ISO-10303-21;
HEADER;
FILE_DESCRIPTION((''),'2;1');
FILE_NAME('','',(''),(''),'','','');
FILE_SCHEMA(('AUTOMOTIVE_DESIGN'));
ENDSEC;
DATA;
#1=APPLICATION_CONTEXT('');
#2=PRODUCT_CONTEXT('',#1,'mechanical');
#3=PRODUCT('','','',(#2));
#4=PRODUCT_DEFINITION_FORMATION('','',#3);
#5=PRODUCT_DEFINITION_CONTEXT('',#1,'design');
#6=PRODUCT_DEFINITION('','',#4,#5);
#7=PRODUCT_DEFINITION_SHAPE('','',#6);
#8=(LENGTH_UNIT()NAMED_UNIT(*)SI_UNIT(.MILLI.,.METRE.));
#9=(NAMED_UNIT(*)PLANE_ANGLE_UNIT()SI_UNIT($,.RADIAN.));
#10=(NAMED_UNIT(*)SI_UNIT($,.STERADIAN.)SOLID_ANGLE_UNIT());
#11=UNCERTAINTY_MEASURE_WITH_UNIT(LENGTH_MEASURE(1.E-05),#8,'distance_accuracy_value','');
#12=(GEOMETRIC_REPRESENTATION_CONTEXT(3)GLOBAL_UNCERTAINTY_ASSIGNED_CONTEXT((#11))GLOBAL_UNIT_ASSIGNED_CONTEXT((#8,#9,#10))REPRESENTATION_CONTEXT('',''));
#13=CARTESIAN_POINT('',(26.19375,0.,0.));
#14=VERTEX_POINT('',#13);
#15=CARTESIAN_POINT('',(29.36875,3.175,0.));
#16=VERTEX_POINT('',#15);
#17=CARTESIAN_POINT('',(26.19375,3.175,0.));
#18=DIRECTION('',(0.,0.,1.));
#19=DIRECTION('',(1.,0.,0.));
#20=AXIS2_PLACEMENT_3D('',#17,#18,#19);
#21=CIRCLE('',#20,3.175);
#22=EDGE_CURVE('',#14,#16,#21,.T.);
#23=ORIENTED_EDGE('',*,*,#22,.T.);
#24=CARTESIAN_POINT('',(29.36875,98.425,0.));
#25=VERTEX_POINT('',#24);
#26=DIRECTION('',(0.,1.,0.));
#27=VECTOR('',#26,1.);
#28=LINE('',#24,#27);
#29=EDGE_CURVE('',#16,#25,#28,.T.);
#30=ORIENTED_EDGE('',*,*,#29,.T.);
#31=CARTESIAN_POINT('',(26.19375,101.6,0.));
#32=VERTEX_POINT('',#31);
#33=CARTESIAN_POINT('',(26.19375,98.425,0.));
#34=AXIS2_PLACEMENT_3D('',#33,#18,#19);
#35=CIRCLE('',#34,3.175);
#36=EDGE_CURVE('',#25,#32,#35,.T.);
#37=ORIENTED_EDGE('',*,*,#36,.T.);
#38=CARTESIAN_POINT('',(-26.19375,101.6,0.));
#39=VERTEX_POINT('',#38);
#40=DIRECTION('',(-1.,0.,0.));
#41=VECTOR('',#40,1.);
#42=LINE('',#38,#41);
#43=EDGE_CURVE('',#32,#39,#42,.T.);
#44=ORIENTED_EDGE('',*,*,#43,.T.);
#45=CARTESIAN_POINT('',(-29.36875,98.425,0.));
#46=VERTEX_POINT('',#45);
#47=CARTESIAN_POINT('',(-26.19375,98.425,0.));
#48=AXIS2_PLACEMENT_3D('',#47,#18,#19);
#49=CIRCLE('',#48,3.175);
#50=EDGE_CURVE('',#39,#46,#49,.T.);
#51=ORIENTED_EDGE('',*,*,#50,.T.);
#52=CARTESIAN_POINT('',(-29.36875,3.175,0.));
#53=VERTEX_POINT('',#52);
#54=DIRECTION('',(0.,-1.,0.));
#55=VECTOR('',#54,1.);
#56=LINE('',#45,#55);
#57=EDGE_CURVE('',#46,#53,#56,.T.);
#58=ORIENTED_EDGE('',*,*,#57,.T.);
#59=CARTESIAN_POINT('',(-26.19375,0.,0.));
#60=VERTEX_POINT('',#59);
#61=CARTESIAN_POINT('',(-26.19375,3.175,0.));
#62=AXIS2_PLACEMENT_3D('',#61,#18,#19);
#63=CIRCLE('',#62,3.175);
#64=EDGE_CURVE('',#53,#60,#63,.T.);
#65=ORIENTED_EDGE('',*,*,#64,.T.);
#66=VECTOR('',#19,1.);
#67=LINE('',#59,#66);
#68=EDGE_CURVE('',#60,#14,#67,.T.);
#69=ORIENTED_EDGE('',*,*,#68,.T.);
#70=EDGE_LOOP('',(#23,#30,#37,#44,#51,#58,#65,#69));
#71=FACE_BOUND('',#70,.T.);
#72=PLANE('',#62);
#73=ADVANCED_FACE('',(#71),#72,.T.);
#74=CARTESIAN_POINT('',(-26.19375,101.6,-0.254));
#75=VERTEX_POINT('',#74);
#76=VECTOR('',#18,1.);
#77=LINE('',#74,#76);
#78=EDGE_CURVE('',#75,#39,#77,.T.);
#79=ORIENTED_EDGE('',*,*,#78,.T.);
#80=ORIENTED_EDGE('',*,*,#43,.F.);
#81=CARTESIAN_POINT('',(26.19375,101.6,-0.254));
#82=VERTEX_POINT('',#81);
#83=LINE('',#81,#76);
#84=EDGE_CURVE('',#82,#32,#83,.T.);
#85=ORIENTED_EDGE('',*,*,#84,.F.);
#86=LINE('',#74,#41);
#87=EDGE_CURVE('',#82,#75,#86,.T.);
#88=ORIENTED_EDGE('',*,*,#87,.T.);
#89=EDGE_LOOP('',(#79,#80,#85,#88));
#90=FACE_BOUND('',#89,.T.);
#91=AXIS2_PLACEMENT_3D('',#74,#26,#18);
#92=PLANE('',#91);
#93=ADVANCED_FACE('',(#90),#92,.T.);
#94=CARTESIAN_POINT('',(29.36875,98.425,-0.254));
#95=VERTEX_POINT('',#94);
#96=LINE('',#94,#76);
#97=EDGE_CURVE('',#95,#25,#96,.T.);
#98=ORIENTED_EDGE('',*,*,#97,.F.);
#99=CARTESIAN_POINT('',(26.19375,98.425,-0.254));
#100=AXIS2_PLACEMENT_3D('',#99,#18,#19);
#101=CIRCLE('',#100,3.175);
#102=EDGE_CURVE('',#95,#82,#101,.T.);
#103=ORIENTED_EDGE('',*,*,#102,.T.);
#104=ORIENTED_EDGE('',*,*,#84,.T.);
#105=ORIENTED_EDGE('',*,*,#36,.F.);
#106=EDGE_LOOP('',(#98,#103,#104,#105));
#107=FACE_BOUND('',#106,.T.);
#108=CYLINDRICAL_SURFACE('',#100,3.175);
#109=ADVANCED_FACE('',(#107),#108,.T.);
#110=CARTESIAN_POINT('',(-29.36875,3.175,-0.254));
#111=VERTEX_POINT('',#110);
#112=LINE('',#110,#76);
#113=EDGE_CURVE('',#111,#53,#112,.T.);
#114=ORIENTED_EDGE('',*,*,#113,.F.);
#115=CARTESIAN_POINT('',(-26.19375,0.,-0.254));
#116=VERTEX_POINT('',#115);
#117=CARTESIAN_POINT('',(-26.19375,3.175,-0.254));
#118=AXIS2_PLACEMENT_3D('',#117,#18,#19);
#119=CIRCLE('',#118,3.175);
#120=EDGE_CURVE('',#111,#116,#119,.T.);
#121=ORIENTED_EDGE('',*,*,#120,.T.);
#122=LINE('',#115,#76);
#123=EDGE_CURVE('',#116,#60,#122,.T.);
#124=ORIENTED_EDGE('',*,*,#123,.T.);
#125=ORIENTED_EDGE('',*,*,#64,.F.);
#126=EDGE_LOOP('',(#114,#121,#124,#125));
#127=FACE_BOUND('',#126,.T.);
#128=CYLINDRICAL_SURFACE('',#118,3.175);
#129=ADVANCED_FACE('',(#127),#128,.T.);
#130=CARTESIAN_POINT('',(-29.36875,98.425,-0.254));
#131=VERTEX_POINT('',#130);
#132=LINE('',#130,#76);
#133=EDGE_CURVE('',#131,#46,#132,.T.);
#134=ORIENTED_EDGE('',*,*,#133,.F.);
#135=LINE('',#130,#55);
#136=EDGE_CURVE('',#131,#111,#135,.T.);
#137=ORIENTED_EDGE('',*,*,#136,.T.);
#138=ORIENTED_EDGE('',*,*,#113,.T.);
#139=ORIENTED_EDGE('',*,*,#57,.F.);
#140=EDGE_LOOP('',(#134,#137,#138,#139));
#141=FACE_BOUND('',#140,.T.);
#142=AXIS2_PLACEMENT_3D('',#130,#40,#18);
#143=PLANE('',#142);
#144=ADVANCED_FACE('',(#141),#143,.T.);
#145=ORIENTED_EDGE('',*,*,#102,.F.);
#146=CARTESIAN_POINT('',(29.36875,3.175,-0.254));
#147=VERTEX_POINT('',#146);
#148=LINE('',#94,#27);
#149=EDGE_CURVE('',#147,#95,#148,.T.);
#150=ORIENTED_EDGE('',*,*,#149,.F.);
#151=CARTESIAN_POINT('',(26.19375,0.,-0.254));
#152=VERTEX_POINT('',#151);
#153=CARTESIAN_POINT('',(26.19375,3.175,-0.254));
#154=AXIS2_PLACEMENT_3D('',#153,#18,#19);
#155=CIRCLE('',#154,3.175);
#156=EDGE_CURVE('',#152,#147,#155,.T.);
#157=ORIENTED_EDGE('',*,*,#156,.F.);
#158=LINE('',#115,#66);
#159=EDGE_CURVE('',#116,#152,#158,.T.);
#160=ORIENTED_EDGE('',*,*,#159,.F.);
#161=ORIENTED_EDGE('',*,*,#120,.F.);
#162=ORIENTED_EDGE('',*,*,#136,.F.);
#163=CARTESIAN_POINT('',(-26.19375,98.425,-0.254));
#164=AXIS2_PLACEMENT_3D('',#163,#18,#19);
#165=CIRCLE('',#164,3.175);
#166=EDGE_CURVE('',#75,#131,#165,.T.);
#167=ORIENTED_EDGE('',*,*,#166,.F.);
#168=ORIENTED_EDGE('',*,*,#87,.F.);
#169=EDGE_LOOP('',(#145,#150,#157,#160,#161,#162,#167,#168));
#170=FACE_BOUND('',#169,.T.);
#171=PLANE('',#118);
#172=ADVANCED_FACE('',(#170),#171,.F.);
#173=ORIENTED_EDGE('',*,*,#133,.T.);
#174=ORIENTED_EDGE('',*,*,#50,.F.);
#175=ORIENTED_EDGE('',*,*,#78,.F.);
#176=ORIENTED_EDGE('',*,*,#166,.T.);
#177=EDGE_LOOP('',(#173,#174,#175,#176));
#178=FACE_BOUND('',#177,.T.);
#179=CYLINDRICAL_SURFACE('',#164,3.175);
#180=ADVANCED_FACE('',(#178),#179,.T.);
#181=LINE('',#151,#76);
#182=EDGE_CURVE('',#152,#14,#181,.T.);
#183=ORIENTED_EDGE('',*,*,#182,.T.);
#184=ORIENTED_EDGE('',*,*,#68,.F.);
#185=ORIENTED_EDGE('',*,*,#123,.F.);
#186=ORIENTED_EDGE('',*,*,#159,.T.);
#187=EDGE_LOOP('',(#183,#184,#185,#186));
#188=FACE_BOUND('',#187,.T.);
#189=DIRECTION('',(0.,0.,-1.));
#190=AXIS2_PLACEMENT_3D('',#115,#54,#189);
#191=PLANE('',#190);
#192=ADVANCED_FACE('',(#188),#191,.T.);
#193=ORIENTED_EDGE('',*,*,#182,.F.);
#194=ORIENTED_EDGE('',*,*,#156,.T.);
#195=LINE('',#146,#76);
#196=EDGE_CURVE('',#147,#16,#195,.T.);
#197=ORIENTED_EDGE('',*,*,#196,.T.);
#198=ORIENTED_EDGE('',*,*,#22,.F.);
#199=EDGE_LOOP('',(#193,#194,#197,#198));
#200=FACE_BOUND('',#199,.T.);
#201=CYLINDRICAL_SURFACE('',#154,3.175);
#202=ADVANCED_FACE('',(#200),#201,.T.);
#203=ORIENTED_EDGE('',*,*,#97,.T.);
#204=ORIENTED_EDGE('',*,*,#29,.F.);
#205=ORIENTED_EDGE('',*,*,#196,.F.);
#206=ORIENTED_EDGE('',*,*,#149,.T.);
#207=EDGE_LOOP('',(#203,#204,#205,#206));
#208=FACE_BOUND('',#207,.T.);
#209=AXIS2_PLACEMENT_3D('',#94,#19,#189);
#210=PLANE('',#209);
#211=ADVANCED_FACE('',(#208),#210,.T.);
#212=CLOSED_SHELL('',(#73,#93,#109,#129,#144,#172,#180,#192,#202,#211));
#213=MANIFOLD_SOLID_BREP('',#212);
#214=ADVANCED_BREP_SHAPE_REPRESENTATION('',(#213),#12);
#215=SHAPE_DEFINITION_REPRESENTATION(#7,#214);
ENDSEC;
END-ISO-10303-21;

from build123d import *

# Parameters (mm, degrees)
BOSS_EXTRUDE1_DEPTH = 0.254


with BuildPart() as part:
    # Sketch1 → Boss-Extrude1 (new body)
    with BuildSketch(Plane.XY):
        with BuildLine():
            Line((-26.19375, 101.6), (26.19375, 101.6))
            ThreePointArc((26.19375, 101.6), (28.43881403, 100.67006403), (29.36875, 98.425))
            Line((29.36875, 98.425), (29.36875, 3.175))
            ThreePointArc((29.36875, 3.175), (28.43881403, 0.92993597), (26.19375, 0))
            Line((26.19375, 0), (-26.19375, 0))
            ThreePointArc((-26.19375, 0), (-28.43881403, 0.92993597), (-29.36875, 3.175))
            Line((-29.36875, 3.175), (-29.36875, 98.425))
            ThreePointArc((-29.36875, 98.425), (-28.43881403, 100.67006403), (-26.19375, 101.6))
        make_face()
    extrude(amount=-BOSS_EXTRUDE1_DEPTH)


solid = part.part
